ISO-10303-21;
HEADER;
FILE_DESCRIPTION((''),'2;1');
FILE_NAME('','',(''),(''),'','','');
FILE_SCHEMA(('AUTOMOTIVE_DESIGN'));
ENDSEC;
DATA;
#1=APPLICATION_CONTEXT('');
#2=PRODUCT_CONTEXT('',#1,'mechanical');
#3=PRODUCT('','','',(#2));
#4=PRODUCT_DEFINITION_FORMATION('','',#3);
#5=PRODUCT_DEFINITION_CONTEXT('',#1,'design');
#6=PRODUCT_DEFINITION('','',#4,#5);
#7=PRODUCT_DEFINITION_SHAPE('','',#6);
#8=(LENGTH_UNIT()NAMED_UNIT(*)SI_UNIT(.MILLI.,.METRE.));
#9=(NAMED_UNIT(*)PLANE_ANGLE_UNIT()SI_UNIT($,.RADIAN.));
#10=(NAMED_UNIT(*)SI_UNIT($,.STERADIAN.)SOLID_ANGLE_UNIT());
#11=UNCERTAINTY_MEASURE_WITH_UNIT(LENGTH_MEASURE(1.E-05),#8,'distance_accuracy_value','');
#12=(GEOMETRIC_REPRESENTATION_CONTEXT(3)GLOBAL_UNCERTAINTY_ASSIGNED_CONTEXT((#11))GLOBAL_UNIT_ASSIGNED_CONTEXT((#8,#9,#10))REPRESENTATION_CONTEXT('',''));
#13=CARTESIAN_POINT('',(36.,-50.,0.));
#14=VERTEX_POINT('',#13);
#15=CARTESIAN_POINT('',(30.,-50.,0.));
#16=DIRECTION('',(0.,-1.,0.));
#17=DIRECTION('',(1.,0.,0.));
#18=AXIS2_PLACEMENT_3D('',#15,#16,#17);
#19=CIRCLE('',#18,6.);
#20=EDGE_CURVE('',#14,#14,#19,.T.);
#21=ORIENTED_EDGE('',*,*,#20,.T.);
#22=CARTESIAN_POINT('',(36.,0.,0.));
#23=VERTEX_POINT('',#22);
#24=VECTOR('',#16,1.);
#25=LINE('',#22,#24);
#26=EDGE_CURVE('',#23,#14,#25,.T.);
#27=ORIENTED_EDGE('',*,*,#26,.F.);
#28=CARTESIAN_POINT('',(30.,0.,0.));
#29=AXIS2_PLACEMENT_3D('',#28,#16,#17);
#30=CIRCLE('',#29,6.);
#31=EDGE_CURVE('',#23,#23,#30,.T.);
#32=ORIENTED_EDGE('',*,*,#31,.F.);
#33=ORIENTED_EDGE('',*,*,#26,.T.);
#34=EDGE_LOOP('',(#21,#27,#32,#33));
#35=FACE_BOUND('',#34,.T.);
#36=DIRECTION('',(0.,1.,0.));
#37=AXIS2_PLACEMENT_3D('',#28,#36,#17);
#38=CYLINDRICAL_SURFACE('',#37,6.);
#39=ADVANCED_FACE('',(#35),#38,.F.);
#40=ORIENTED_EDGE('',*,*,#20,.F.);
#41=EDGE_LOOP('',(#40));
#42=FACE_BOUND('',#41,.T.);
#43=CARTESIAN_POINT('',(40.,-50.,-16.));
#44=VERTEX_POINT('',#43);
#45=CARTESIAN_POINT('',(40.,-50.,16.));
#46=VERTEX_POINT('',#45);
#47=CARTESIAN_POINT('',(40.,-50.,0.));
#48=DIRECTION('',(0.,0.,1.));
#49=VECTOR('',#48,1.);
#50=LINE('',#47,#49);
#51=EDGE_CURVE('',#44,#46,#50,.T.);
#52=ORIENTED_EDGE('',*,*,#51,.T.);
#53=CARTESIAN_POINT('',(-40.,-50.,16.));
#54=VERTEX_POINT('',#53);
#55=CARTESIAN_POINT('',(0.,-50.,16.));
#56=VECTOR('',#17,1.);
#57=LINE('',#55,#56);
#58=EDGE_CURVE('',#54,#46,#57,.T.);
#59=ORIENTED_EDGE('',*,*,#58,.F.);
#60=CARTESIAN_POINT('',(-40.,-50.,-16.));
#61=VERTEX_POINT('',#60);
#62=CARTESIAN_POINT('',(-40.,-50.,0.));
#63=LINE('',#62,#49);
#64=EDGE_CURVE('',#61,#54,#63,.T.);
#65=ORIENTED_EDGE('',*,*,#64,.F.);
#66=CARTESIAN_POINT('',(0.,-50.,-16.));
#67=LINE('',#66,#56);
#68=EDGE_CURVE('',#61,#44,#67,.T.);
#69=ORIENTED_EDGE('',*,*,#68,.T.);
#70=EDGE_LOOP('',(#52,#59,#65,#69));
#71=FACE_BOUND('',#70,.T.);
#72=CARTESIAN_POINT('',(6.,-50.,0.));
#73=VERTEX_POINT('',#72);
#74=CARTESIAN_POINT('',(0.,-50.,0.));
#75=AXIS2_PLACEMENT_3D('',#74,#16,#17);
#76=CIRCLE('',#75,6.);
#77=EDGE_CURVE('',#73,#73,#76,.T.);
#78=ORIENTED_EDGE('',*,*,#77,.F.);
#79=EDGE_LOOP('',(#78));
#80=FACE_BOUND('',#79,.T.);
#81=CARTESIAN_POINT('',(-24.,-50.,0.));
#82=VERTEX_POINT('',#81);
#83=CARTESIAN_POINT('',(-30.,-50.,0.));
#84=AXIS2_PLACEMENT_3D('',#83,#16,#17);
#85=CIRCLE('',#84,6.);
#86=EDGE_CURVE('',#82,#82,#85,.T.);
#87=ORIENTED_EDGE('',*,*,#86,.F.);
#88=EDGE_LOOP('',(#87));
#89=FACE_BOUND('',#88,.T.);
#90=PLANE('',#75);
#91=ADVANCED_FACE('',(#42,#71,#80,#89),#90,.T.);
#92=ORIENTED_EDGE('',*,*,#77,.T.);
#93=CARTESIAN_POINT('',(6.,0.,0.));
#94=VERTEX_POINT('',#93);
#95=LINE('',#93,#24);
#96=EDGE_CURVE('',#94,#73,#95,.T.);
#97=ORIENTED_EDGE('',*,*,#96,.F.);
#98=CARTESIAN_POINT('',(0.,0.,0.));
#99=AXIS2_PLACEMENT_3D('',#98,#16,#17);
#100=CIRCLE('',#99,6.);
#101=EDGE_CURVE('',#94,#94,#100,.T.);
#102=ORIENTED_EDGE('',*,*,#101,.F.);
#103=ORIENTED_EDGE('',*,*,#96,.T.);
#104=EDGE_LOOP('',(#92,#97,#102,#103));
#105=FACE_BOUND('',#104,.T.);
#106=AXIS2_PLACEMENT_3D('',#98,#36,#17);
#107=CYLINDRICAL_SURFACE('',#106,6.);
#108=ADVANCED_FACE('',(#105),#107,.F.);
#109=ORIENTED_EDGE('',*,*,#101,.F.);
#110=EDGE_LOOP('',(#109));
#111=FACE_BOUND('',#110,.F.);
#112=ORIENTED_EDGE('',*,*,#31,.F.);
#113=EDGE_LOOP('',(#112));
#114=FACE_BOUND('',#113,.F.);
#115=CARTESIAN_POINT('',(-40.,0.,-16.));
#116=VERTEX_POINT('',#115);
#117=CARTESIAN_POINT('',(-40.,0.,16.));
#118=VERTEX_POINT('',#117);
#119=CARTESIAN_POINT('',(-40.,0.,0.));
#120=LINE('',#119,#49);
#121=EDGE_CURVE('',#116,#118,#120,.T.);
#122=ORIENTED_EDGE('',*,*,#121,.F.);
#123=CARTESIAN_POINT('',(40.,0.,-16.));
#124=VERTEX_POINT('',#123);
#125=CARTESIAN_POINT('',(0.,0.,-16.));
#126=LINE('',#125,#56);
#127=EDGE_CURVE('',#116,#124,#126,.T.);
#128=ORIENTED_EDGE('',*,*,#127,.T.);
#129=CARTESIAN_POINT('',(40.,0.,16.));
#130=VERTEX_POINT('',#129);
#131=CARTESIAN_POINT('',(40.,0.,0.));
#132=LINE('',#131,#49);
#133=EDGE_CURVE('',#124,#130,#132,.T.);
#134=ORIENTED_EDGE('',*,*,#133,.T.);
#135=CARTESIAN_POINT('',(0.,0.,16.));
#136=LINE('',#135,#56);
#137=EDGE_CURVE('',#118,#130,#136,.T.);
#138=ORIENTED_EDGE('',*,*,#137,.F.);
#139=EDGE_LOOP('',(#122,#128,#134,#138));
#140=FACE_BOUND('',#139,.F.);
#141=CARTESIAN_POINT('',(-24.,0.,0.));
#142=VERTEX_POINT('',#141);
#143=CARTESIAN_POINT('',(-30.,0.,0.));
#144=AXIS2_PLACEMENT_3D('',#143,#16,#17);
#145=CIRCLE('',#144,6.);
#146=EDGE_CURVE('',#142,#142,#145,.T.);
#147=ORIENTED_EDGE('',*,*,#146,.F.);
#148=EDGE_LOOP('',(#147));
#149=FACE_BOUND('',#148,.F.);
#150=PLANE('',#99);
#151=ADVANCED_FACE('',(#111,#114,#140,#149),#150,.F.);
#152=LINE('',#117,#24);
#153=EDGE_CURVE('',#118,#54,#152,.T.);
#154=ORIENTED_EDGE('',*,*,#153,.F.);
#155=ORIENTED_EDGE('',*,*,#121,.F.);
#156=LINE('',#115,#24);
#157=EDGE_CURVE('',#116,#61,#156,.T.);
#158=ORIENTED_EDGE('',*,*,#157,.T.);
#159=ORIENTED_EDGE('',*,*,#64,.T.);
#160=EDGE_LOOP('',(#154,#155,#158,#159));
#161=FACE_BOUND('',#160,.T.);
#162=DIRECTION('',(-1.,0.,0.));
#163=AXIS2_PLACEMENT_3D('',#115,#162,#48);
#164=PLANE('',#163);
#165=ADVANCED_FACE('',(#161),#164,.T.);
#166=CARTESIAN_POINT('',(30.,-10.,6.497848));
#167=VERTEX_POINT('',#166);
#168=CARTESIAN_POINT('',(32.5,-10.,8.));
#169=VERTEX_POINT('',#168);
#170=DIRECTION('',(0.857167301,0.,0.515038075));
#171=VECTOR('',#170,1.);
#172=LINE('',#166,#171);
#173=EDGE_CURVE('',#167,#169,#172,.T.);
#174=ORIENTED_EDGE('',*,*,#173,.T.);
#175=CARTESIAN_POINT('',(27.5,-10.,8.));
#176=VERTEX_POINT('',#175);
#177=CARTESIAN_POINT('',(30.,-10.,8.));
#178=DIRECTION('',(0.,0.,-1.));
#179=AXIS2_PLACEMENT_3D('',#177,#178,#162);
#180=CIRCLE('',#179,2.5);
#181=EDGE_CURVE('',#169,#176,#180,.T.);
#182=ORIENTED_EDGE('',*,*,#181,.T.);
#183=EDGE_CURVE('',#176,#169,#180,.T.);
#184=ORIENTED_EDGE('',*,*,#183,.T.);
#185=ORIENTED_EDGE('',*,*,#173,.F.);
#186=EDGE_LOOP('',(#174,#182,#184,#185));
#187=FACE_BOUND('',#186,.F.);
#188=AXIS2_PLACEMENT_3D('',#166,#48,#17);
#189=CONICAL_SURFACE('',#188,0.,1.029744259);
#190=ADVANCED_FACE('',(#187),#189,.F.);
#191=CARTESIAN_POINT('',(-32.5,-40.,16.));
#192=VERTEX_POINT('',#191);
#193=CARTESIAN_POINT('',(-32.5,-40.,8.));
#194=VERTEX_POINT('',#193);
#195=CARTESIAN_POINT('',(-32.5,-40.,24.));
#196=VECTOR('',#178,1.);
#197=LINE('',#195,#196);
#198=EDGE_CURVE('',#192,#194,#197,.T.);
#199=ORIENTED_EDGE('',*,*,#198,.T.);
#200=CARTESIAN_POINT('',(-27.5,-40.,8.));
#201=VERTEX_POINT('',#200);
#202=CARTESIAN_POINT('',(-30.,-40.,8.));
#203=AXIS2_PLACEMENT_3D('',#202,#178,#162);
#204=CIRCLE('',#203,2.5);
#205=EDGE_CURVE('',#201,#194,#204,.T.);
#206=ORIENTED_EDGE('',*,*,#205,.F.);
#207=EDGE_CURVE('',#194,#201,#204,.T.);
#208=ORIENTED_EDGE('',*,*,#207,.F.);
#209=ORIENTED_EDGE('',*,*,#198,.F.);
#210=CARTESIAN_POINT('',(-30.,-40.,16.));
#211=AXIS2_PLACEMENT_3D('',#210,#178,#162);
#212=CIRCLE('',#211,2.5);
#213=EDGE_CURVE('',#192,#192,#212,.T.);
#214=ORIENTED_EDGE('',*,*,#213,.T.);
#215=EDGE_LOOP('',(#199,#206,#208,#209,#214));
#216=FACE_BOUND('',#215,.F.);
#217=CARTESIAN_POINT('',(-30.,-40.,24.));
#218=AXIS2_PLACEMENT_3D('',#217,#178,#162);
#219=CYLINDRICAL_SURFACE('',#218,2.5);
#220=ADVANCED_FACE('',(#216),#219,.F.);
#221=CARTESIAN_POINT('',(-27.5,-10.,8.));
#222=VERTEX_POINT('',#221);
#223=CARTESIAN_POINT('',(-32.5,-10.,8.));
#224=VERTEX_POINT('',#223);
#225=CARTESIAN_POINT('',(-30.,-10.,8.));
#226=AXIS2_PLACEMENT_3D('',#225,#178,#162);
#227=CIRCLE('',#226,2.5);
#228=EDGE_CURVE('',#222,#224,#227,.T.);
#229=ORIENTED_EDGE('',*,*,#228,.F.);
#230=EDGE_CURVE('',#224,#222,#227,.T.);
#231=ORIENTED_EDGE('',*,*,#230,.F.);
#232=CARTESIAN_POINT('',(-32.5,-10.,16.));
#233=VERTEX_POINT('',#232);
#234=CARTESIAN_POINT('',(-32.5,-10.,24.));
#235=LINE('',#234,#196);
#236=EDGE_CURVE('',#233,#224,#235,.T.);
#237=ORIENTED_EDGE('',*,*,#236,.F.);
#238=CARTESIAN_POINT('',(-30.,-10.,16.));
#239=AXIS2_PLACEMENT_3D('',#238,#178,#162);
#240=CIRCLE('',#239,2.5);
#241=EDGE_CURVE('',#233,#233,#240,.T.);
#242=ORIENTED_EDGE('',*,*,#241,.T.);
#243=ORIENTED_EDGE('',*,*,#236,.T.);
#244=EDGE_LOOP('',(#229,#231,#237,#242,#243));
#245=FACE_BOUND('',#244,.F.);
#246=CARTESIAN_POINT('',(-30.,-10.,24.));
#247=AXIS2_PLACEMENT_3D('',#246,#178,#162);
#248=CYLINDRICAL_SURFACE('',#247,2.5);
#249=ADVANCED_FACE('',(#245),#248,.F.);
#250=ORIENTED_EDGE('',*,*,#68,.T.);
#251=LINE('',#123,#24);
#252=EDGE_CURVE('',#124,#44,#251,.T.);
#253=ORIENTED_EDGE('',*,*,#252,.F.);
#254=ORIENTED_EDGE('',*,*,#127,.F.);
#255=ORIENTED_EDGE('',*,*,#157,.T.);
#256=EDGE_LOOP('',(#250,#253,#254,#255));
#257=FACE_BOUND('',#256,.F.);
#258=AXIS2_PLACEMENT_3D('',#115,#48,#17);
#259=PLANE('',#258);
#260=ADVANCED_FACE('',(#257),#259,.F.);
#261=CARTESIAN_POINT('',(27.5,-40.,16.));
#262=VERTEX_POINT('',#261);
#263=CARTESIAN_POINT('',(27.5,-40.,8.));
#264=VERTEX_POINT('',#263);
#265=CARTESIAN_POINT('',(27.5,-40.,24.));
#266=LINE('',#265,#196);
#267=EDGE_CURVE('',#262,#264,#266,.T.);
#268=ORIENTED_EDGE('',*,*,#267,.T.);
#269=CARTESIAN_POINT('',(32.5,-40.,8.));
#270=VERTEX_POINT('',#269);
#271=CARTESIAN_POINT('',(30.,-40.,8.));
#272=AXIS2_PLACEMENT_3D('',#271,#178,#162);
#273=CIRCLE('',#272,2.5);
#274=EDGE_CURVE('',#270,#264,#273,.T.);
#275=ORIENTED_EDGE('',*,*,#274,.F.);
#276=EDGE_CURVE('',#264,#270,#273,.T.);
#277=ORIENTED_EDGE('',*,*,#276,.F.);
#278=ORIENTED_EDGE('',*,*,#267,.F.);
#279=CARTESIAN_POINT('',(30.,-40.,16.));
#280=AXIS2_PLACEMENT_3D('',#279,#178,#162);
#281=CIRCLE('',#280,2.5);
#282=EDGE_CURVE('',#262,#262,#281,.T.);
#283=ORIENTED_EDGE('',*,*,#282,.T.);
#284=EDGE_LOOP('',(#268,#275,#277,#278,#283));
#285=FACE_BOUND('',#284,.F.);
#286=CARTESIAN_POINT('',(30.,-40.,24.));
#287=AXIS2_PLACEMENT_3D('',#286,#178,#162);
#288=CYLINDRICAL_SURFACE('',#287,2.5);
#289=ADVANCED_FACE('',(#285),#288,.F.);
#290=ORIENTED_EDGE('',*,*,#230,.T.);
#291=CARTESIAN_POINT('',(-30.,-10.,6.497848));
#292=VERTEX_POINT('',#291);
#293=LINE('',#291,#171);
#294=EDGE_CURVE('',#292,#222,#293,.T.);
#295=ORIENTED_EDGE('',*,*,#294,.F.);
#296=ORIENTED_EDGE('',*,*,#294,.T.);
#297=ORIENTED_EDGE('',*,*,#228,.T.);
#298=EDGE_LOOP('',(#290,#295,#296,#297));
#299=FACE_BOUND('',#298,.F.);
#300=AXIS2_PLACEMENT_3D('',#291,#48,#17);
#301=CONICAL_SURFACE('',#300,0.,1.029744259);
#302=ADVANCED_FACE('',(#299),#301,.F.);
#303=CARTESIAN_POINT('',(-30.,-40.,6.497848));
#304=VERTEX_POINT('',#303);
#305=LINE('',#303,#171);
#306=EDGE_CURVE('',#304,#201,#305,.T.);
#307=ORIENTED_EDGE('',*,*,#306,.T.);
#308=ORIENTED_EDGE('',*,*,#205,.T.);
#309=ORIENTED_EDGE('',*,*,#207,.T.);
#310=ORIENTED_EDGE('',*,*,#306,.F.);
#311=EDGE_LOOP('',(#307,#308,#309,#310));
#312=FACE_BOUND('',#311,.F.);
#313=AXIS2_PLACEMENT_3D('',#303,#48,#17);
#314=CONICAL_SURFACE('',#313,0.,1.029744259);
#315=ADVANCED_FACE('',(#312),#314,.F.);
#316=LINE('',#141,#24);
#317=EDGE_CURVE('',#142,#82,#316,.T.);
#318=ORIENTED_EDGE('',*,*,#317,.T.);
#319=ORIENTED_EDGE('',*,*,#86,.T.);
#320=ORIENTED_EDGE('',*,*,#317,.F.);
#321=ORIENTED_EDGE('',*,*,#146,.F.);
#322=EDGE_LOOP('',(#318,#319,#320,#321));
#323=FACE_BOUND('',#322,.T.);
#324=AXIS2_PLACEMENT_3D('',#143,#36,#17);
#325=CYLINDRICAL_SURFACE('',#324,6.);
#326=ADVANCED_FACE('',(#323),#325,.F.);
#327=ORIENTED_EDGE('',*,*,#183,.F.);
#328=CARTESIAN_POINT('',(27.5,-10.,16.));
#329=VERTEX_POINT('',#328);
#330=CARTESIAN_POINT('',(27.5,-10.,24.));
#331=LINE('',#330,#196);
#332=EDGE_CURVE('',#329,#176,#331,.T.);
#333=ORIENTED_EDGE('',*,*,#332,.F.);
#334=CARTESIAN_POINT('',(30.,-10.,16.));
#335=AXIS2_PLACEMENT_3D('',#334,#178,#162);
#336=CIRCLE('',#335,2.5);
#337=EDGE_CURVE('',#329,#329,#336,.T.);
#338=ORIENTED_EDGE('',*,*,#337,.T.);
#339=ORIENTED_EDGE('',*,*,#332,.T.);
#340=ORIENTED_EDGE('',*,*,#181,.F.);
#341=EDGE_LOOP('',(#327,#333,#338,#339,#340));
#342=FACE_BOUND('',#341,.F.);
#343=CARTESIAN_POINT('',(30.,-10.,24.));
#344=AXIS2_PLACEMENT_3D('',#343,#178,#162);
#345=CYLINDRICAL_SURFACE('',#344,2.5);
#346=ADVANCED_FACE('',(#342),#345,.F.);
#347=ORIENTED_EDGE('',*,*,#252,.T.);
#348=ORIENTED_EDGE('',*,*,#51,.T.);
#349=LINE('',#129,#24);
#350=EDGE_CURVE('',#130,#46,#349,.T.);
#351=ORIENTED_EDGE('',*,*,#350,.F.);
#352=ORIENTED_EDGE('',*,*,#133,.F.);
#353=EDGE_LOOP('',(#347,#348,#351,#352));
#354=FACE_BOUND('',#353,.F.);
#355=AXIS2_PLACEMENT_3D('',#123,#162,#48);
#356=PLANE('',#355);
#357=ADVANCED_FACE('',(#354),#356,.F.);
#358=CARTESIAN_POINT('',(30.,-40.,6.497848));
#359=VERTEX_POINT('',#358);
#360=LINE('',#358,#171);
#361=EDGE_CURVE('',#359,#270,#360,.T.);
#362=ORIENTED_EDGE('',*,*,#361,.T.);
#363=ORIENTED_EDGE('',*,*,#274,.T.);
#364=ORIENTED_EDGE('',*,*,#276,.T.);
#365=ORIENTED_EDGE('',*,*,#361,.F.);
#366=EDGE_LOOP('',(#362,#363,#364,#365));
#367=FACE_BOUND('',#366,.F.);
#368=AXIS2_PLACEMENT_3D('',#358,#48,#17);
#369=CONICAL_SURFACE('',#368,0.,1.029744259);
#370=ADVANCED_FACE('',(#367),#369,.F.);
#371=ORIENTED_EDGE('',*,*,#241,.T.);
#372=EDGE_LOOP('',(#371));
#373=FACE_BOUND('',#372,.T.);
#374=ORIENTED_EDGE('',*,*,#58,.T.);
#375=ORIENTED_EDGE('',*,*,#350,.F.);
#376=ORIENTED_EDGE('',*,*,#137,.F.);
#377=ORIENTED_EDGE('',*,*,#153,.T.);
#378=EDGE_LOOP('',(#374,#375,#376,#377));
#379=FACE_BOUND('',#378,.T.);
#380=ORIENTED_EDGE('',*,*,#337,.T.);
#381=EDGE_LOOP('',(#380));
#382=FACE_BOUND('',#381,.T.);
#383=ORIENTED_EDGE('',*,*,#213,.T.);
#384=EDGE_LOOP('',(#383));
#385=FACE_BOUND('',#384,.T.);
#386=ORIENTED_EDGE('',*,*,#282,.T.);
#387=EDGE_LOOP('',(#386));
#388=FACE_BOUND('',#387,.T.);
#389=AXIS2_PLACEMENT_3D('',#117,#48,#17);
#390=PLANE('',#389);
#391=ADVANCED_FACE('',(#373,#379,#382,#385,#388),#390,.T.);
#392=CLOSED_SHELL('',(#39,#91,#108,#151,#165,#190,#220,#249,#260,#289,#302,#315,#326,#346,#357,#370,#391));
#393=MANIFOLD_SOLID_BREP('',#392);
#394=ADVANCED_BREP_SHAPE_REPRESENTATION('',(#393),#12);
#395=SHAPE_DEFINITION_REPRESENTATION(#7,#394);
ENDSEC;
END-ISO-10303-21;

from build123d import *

# Parameters (mm, degrees)
F0_W     = 80
F0_H     = 32
F0_R     = 6
F1_DEPTH = 50
F3_D     = 5
F3_DEPTH = 8
F3_TIP   = 1.5021515476


with BuildPart() as f1:
    # F0 (on Front) → F1 (new body)
    with BuildSketch(Plane.XZ):
        Rectangle(F0_W, F0_H)
        with Locations((-30, 0)):
            Circle(F0_R, mode=Mode.SUBTRACT)
        Circle(F0_R, mode=Mode.SUBTRACT)
        with Locations((30, 0)):
            Circle(F0_R, mode=Mode.SUBTRACT)
    extrude(amount=F1_DEPTH)

    # F3
    with Locations(Plane.XY.offset(16)):
        with Locations((-30, -40), (-30, -10), (30, -40), (30, -10)):
            Hole(F3_D / 2, depth=F3_DEPTH)
            with Locations((0, 0, -(F3_DEPTH + F3_TIP / 2))):  # 118° drill point
                Cone(0, F3_D / 2, F3_TIP, mode=Mode.SUBTRACT)


solid = f1.part
